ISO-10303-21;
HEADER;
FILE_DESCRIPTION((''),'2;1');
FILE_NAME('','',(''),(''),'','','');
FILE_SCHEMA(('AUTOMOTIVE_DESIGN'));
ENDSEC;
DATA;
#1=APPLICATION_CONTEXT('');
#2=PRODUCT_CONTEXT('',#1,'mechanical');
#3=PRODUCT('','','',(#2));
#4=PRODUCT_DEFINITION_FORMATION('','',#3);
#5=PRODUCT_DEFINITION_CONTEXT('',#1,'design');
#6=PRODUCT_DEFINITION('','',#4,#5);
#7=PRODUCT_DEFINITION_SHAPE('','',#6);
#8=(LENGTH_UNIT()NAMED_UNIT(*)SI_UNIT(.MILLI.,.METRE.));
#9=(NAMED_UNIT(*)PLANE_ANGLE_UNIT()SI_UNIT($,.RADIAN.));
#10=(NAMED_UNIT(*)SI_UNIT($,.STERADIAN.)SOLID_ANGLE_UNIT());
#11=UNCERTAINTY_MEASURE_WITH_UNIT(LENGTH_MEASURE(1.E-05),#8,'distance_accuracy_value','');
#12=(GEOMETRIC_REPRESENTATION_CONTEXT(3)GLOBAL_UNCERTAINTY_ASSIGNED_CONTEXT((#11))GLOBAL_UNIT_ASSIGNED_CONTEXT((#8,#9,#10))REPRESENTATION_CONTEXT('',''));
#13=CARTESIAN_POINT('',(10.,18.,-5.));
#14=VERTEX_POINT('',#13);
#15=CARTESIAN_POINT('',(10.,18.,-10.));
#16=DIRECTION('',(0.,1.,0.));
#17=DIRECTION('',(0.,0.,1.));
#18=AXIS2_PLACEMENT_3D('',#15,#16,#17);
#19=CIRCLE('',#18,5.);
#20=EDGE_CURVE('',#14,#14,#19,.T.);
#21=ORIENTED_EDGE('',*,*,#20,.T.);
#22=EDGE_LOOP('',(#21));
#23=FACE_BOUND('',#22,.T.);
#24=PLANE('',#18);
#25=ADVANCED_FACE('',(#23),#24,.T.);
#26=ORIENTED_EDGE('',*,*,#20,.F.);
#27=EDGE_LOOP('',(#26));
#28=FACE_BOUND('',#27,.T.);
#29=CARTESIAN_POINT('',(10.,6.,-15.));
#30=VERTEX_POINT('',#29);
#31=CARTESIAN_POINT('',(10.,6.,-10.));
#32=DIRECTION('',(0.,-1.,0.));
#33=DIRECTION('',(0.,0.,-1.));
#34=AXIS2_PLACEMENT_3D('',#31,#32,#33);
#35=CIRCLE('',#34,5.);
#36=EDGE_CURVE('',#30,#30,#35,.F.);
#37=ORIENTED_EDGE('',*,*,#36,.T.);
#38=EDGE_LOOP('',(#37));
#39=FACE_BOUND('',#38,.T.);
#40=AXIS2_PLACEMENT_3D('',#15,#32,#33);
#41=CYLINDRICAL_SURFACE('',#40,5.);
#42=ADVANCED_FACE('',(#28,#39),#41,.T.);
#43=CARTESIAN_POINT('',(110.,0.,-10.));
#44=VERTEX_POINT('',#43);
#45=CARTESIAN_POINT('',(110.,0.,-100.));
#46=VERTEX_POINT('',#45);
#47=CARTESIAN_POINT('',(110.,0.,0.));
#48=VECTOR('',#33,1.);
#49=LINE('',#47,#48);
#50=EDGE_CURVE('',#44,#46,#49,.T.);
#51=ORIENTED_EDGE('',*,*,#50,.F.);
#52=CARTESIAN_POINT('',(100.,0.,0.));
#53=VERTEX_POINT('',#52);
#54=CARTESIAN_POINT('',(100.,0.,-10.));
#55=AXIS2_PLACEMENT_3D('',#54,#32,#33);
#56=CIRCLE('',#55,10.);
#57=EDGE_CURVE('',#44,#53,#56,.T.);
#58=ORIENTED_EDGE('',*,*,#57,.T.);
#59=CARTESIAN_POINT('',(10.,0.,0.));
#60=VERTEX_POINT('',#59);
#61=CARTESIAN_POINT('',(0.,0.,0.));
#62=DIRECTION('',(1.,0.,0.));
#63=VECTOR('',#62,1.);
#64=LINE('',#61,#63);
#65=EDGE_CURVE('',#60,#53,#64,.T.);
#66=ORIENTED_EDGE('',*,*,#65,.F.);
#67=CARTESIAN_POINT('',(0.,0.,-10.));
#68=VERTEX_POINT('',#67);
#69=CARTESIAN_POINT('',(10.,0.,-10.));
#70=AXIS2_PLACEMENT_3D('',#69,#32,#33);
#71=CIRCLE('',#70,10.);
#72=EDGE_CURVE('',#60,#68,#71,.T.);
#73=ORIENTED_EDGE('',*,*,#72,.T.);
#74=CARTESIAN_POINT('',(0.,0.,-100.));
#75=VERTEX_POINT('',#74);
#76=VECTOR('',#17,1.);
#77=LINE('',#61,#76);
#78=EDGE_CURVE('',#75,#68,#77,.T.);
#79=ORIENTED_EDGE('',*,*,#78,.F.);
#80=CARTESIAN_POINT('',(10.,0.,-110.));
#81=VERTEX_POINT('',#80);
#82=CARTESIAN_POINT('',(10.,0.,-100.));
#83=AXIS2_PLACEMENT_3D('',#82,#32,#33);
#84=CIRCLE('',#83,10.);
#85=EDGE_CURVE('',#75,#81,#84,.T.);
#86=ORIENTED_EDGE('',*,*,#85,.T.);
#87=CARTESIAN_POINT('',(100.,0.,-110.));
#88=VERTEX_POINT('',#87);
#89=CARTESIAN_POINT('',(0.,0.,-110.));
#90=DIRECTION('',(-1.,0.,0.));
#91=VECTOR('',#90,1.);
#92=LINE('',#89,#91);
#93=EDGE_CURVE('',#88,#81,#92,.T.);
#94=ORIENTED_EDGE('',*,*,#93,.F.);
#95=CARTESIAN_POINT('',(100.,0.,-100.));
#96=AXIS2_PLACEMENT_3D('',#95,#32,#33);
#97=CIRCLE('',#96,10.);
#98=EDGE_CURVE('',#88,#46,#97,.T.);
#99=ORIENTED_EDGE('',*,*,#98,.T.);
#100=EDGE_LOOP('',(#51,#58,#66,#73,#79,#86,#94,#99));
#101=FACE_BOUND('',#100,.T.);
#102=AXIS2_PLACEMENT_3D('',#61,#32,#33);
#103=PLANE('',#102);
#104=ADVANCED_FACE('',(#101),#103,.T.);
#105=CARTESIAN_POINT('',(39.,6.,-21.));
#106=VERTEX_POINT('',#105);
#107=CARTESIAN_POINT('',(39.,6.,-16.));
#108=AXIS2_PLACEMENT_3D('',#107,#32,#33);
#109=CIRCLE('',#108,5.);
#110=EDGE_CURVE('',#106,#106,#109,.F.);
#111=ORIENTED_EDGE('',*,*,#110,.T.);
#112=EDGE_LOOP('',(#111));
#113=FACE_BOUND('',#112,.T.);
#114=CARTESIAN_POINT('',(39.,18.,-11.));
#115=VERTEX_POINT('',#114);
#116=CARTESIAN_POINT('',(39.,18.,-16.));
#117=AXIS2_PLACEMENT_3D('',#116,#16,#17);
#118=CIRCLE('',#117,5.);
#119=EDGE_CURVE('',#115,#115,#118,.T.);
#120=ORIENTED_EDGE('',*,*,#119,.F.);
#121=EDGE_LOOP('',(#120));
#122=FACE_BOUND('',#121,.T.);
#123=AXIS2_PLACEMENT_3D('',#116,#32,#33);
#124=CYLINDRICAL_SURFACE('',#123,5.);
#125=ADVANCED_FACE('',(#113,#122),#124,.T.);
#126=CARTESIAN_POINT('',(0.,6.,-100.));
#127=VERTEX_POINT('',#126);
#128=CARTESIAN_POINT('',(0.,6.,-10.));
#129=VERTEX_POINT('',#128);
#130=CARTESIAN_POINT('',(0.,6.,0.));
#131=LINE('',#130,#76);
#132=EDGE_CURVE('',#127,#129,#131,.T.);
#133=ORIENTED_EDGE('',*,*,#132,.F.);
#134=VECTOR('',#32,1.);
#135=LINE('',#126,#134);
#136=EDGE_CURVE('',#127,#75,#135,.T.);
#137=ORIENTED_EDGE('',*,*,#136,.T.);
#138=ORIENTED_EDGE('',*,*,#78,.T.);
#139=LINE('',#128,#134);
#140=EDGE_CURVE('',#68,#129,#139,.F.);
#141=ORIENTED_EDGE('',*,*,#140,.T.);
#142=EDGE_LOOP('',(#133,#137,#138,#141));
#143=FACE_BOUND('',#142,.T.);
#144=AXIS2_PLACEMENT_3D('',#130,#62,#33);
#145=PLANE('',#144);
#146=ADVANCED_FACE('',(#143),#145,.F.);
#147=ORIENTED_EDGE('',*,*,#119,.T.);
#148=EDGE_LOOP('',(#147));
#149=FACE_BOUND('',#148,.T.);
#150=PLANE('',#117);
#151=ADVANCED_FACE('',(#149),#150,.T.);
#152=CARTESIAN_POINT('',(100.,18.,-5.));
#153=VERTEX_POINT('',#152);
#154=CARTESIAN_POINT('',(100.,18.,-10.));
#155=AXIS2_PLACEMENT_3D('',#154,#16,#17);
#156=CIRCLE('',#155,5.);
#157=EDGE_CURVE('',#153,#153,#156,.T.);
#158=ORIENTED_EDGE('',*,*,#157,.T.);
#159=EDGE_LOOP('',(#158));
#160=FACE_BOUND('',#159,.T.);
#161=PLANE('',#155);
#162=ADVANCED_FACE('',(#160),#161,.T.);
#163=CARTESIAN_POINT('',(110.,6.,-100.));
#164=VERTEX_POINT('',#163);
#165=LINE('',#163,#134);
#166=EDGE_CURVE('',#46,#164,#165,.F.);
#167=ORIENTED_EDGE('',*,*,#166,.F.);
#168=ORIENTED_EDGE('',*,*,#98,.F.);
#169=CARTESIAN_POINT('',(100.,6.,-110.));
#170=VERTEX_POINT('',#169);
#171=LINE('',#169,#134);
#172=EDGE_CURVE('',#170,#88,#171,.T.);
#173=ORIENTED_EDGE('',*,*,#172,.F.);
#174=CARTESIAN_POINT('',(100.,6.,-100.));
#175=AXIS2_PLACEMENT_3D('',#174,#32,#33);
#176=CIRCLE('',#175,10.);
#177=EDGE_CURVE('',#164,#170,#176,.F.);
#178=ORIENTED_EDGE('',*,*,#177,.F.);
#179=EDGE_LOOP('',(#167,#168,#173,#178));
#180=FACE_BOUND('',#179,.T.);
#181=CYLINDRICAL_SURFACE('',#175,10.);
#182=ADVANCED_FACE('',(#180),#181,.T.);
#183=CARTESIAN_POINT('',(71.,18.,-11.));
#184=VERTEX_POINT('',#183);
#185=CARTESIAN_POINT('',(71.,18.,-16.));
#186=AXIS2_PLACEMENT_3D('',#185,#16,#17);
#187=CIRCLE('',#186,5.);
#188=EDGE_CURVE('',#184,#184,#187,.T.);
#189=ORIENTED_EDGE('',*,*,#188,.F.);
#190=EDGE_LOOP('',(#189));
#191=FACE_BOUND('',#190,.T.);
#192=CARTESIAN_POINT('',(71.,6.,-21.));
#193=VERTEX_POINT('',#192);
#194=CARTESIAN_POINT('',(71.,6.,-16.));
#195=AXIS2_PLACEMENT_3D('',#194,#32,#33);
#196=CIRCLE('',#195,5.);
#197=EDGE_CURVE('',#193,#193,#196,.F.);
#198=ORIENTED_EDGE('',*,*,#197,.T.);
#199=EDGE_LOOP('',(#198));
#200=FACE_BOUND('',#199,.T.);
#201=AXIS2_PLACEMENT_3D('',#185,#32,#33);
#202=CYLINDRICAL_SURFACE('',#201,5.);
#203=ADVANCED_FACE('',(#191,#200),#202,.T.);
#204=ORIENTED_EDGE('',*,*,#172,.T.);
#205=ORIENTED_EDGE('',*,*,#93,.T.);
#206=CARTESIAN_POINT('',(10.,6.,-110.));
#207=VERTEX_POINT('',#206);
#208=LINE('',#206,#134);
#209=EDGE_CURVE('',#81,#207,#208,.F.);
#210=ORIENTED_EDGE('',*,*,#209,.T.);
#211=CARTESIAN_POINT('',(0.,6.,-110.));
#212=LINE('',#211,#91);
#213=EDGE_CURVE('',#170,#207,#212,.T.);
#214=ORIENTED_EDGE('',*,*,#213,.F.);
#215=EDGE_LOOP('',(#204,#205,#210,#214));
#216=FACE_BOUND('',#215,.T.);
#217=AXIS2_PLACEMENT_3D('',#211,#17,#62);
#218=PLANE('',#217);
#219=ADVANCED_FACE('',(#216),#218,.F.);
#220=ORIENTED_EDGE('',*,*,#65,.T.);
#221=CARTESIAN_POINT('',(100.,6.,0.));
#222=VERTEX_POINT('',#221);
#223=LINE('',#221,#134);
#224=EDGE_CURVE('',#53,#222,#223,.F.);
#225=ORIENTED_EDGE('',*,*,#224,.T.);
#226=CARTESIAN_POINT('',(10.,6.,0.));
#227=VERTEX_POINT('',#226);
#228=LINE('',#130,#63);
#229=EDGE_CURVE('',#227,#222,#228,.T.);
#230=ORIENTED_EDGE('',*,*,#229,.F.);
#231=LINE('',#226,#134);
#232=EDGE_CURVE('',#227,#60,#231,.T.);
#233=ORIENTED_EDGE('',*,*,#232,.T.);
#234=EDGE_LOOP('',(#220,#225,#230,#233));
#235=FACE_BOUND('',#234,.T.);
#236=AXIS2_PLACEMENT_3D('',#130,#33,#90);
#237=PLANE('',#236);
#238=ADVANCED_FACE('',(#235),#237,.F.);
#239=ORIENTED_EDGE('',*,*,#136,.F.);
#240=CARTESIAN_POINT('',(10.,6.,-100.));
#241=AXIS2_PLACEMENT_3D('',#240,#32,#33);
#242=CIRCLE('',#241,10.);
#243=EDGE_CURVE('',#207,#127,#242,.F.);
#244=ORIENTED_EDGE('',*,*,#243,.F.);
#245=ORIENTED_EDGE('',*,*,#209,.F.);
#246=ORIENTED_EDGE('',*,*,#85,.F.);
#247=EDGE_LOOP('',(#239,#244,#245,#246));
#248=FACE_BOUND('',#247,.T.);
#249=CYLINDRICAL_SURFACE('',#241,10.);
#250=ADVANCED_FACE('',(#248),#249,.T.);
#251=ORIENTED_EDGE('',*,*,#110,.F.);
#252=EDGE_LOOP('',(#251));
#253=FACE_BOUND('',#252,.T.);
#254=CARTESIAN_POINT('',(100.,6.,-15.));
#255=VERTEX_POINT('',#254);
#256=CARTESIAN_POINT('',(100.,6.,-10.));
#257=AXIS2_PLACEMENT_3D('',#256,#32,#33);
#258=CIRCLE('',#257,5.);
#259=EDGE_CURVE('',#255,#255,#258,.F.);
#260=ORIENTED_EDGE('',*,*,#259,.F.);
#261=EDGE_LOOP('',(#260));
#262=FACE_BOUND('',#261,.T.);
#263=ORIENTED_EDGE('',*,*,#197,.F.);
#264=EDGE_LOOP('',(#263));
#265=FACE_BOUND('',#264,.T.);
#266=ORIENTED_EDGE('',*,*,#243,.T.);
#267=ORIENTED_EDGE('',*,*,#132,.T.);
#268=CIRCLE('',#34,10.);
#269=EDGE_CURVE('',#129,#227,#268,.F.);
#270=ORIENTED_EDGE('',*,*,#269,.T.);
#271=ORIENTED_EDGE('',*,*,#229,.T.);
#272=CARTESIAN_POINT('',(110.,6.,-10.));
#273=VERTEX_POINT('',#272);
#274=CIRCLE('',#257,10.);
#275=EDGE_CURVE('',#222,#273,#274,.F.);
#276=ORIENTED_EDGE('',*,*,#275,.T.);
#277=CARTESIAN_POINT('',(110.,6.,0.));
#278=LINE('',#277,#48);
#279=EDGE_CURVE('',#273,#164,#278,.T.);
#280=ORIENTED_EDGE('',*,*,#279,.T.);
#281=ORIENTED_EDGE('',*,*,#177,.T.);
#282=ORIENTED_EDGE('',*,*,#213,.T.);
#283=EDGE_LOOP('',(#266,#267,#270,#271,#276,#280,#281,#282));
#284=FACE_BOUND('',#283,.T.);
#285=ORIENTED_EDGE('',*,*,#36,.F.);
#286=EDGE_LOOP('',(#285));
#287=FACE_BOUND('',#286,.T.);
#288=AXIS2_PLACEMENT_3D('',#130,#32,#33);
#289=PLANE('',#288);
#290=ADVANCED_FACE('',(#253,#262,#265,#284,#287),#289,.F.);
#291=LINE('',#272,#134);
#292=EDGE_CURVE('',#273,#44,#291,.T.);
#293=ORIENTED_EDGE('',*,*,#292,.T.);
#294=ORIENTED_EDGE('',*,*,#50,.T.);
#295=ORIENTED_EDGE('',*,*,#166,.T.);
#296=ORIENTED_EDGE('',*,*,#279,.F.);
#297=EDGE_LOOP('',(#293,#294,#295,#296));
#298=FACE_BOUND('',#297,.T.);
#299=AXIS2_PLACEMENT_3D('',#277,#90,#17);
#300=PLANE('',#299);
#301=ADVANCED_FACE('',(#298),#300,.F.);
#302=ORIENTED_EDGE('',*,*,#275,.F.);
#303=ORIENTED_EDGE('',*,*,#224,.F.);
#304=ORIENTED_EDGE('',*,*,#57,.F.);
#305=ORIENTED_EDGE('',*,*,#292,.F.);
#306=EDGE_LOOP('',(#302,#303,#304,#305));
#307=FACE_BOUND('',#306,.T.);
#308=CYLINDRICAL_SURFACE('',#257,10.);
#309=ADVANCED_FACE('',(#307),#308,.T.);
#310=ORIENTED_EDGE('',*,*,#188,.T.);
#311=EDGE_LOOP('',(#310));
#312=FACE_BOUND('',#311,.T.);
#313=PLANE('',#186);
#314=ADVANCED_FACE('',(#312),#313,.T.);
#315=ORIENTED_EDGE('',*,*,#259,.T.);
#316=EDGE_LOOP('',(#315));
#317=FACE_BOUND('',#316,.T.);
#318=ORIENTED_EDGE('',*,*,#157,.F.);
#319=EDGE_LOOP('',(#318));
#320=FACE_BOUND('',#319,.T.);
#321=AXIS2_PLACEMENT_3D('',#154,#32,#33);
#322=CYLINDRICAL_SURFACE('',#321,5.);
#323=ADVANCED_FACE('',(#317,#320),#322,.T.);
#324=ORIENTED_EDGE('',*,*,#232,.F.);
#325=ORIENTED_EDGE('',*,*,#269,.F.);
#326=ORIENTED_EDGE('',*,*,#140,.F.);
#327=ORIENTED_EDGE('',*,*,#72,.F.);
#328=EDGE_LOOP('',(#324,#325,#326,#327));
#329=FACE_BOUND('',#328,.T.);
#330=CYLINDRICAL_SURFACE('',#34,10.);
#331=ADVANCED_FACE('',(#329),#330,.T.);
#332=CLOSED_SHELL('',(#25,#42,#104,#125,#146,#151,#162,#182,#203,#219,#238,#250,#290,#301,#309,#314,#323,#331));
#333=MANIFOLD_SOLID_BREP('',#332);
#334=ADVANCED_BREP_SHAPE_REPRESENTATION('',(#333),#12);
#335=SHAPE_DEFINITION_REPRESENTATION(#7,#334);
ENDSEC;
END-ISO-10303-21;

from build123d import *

# Parameters (mm, degrees)
SKETCH1_W           = 110
SKETCH1_H           = 110
BOSS_EXTRUDE1_DEPTH = 6
FILLET1_R           = 10
SKETCH12_R          = 5
BOSS_EXTRUDE5_DEPTH = 12
SKETCH13_R          = 5
BOSS_EXTRUDE6_DEPTH = 12
SKETCH14_R          = 5
BOSS_EXTRUDE7_DEPTH = 12
SKETCH15_R          = 5
BOSS_EXTRUDE8_DEPTH = 12


with BuildPart() as part:
    # Sketch1 → Boss-Extrude1 (new body)
    with BuildSketch(Plane(origin=(0, 0, 0), x_dir=(1, 0, 0), z_dir=(0, 1, 0))):
        with Locations((55, 55)):
            Rectangle(SKETCH1_W, SKETCH1_H)
    extrude(amount=BOSS_EXTRUDE1_DEPTH)

    # Fillet1
    fillet1_edges = [part.edges().sort_by_distance(p)[0] for p in [
        (0, 3, -110),
        (110, 3, -110),
        (110, 3, 0),
        (0, 3, 0),
    ]]
    fillet(fillet1_edges, radius=FILLET1_R)

    # Sketch12 → Boss-Extrude5 (add)
    with BuildSketch(Plane(origin=(0, 6, 0), x_dir=(1, 0, 0), z_dir=(0, 1, 0))):
        with Locations(Location((39, 16, 0), (0, 0, 90))):
            Circle(SKETCH12_R)
    extrude(amount=BOSS_EXTRUDE5_DEPTH)

    # Sketch13 → Boss-Extrude6 (add)
    with BuildSketch(Plane(origin=(0, 6, 0), x_dir=(1, 0, 0), z_dir=(0, 1, 0))):
        with Locations(Location((71, 16, 0), (0, 0, 90))):
            Circle(SKETCH13_R)
    extrude(amount=BOSS_EXTRUDE6_DEPTH)

    # Sketch14 → Boss-Extrude7 (add)
    with BuildSketch(Plane(origin=(0, 6, 0), x_dir=(1, 0, 0), z_dir=(0, 1, 0))):
        with Locations(Location((10, 10, 0), (0, 0, 90))):
            Circle(SKETCH14_R)
    extrude(amount=BOSS_EXTRUDE7_DEPTH)

    # Sketch15 → Boss-Extrude8 (add)
    with BuildSketch(Plane(origin=(0, 6, 0), x_dir=(1, 0, 0), z_dir=(0, 1, 0))):
        with Locations(Location((100, 10, 0), (0, 0, 90))):
            Circle(SKETCH15_R)
    extrude(amount=BOSS_EXTRUDE8_DEPTH)


solid = part.part
